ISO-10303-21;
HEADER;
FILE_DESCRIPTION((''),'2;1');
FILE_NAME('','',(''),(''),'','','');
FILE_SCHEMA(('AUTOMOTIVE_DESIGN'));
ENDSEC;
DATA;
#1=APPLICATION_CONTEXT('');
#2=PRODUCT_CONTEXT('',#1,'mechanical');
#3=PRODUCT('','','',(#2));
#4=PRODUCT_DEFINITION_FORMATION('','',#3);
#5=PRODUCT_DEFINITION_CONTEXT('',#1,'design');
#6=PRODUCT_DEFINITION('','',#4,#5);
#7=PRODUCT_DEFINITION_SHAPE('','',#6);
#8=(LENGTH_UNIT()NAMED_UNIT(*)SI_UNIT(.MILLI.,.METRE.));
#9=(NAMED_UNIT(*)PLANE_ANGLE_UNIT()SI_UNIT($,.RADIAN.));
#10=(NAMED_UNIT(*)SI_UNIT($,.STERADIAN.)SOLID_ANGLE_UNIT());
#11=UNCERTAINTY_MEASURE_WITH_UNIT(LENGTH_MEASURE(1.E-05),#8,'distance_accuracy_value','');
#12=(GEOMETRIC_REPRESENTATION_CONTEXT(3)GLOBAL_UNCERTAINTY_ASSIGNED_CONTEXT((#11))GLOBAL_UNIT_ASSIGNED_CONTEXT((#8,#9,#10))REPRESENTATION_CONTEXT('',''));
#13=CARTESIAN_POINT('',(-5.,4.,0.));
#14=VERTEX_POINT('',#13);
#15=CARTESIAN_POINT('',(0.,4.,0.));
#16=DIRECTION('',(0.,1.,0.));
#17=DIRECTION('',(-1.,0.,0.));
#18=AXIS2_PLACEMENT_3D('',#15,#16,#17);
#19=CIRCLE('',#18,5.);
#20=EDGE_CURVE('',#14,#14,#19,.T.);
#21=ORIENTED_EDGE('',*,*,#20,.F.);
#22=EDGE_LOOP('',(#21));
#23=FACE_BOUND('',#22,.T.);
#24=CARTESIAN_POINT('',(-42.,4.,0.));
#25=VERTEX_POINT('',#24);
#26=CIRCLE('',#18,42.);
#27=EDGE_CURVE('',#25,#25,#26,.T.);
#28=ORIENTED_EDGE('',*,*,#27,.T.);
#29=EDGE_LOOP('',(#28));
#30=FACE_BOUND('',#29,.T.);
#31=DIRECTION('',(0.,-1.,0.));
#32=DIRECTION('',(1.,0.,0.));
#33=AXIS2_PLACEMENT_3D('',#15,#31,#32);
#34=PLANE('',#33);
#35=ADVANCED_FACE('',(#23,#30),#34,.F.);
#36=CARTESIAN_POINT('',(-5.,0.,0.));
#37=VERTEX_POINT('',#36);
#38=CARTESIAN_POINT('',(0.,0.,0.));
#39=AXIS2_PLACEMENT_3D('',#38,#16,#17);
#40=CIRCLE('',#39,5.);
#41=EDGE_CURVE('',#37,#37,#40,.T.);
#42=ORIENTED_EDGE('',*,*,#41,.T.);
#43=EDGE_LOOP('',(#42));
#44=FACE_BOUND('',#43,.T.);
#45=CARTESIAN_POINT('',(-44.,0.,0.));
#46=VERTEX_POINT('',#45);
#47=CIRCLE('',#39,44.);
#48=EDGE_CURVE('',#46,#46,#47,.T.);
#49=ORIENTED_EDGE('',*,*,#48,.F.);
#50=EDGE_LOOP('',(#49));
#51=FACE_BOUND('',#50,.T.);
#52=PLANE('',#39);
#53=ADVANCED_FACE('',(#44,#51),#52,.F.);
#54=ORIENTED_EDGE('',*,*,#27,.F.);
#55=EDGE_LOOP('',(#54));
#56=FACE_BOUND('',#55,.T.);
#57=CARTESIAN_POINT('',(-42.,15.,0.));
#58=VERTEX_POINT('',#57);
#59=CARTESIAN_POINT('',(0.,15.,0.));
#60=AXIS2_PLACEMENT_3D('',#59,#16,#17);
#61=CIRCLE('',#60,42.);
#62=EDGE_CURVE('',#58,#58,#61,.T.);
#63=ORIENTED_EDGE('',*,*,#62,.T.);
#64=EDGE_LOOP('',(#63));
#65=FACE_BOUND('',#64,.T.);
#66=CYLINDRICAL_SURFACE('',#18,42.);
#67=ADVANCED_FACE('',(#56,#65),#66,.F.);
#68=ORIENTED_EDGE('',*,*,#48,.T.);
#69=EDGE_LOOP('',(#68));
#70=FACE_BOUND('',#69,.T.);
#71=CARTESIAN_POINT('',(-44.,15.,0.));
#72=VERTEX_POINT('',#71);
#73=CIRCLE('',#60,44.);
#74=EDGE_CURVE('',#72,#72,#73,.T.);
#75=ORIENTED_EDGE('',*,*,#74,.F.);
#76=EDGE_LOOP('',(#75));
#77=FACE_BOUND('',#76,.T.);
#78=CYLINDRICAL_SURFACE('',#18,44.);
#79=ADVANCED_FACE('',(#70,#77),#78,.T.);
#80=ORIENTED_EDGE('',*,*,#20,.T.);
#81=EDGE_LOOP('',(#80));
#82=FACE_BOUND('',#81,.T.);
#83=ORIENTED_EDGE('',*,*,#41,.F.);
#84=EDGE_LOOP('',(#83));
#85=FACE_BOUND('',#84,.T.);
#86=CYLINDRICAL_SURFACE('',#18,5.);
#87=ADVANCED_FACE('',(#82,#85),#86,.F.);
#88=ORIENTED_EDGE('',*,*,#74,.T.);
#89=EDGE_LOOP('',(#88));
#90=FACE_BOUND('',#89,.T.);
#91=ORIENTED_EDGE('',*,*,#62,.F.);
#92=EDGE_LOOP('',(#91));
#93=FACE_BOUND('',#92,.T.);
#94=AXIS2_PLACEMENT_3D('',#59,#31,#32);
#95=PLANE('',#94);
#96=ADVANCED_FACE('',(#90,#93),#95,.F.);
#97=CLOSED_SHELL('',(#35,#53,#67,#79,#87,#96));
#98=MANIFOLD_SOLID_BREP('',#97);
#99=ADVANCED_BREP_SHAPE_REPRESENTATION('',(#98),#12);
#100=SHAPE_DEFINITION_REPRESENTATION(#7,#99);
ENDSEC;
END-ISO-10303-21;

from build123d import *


with BuildPart() as part:
    # Sketch1 → Revolve1 (revolve)
    with BuildSketch(Plane.XY, mode=Mode.PRIVATE) as revolve1_sk:
        Polygon((5, 4), (5, 0), (44, 0), (44, 15), (42, 15), (42, 4), align=None)
    revolve(revolve1_sk.sketch.rotate(Axis((0, 4, 0), (0, -1, 0)), 180), axis=Axis((0, 4, 0), (0, -1, 0)))


solid = part.part
